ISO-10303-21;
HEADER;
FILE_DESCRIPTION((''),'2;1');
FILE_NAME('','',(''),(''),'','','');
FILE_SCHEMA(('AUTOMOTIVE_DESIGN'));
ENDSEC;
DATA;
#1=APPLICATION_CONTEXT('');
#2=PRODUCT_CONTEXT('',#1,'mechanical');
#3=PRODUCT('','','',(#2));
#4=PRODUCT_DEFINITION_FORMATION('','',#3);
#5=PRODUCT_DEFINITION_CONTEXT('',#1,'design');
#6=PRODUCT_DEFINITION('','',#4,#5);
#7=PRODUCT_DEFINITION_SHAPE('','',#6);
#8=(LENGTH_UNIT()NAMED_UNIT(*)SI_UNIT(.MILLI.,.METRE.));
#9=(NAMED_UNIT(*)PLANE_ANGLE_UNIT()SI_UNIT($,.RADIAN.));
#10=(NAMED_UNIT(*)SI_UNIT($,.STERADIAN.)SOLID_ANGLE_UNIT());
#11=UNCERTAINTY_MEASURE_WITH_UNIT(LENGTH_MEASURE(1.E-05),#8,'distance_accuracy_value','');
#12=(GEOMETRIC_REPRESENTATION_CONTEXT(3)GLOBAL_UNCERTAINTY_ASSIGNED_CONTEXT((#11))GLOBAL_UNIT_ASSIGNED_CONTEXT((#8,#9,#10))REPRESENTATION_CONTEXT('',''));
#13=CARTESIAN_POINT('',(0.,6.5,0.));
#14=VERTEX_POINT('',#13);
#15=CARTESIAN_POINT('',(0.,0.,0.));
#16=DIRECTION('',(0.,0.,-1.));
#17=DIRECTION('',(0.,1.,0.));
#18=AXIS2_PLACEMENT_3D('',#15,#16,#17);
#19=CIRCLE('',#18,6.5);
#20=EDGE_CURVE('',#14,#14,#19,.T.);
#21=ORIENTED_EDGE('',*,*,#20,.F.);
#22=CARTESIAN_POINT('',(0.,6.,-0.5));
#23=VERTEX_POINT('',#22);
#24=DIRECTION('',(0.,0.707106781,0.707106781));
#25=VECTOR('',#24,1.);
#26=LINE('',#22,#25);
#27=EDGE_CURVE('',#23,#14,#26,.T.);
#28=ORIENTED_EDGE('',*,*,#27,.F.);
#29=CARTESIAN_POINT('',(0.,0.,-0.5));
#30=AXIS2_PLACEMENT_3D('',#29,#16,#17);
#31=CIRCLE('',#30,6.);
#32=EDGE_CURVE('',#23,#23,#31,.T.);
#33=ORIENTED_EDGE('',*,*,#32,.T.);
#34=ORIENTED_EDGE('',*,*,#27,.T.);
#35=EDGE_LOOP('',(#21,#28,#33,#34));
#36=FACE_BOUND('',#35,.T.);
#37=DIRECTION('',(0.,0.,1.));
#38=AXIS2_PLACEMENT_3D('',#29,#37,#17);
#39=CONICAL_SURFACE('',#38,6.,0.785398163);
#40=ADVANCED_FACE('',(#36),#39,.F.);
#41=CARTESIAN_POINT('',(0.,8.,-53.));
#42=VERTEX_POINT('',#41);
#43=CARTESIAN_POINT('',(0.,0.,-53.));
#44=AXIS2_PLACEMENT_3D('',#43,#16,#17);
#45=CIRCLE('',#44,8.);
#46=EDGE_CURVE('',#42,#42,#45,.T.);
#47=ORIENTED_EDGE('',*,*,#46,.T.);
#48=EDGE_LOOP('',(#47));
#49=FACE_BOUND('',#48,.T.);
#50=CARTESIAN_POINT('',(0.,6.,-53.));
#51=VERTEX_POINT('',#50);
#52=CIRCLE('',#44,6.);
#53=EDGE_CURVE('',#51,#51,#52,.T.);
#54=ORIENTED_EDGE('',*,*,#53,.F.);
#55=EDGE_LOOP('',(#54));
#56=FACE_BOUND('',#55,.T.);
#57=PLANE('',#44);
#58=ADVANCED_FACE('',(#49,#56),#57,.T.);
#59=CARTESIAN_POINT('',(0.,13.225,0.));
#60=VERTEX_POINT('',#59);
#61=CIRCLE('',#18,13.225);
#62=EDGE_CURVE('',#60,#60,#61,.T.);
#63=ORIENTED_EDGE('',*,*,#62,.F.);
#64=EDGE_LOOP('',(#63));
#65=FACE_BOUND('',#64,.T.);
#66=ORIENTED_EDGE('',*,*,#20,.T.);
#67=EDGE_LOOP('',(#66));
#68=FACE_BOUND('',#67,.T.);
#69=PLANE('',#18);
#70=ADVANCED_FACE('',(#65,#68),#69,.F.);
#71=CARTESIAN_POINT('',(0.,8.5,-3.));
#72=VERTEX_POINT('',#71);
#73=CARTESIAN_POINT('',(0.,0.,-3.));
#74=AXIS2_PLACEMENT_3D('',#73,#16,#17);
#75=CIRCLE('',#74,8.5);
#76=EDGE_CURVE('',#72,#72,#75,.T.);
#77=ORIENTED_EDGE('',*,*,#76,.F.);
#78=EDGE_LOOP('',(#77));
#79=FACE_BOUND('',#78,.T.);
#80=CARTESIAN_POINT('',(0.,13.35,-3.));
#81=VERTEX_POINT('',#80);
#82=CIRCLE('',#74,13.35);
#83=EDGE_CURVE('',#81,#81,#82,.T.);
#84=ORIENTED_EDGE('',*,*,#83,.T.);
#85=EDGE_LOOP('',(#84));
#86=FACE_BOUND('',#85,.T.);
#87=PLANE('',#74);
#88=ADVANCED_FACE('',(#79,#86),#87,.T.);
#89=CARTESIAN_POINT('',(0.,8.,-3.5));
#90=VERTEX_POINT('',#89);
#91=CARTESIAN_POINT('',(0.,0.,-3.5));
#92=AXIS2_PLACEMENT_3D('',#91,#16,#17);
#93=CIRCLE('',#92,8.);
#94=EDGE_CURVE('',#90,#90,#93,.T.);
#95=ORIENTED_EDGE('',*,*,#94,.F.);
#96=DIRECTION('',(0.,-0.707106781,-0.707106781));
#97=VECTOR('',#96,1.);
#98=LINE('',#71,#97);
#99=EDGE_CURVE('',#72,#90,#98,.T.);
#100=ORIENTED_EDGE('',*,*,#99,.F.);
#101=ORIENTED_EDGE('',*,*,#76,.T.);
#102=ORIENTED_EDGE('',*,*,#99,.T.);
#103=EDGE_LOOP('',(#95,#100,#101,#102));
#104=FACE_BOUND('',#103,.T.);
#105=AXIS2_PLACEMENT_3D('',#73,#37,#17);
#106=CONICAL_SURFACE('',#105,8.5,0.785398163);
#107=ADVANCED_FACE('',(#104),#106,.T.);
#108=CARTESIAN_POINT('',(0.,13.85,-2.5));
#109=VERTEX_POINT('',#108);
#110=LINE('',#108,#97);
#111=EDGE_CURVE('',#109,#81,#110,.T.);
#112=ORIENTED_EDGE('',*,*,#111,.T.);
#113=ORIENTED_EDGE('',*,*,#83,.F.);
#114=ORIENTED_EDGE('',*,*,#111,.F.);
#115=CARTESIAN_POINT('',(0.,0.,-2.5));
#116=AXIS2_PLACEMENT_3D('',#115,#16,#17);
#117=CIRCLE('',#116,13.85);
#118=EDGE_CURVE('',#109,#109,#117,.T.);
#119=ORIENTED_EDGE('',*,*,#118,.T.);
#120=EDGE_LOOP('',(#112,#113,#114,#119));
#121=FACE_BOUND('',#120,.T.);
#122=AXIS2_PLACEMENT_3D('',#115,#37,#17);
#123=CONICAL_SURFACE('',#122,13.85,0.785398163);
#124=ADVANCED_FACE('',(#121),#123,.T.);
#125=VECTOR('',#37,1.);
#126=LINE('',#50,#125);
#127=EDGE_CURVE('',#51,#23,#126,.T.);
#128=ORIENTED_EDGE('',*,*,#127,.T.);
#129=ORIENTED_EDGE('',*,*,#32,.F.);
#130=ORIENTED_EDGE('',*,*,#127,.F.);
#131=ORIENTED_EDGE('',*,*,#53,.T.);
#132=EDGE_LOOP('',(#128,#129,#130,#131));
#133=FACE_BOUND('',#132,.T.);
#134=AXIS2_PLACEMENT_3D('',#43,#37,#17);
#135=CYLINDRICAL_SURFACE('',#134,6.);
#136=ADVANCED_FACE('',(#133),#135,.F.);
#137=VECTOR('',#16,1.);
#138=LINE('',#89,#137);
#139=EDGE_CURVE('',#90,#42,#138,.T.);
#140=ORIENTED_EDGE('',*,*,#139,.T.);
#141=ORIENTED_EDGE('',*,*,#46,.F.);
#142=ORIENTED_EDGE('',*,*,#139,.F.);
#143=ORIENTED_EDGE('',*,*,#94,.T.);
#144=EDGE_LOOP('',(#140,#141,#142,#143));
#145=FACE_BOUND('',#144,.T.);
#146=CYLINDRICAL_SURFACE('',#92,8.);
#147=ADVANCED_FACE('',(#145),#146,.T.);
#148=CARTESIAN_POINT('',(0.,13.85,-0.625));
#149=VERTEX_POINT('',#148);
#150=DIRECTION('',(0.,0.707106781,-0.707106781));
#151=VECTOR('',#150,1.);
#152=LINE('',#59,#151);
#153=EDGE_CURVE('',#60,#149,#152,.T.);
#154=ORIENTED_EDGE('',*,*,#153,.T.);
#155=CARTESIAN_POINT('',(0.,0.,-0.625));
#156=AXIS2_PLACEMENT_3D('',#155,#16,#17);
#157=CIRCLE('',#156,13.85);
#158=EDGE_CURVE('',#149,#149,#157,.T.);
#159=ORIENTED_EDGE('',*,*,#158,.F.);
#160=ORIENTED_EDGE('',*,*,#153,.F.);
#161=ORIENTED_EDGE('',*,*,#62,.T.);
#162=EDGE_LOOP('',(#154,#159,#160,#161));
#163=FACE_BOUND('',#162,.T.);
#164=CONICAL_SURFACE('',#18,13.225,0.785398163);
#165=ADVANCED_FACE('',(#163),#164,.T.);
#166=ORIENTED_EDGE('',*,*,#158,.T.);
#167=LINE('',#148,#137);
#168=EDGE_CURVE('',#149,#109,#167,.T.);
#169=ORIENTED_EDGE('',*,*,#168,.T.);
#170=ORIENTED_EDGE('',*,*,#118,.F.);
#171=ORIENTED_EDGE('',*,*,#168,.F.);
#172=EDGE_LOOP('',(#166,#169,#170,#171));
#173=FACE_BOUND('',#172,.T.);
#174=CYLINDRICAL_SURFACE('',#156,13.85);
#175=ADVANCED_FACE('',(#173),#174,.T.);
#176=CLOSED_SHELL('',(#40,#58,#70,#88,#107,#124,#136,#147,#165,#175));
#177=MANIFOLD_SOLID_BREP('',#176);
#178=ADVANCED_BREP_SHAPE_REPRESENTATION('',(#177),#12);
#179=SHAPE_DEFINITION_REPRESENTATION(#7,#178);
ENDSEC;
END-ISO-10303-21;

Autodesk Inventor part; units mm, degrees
ref_plane "YZ Plane" through (0, 0, 0) normal (1, 0, 0) x (0, 1, 0)
ref_plane "XZ Plane" through (0, 0, 0) normal (0, 1, 0) x (-1, 0, 0)
ref_plane "XY Plane" through (0, 0, 0) normal (0, 0, 1) x (1, 0, 0)
sketch "Esquisse1" plane through (0, 0, 0) normal (1, 0, 0) x (0, 1, 0)
  line L0 (13.35, -3) -> (8.5, -3)
  line L1 (8.5, -3) -> (8, -3.5)
  line L2 (8, -3.5) -> (8, -53)
  line L3 (8, -53) -> (6, -53)
  line L4 (6, -53) -> (6, -0.5)
  line L5 (6, -0.5) -> (6.5, 0)
  line L6 (6.5, 0) -> (13.225, 0)
  line L7 (13.225, 0) -> (13.85, -0.625)
  line L8 (13.85, -0.625) -> (13.85, -2.5)
  line L9 (13.85, -2.5) -> (13.35, -3)
  line L10 (0, 8.9692) -> (0, -52.1325)
  point P0 (0, 0)
  dimension "d0" = 3
  dimension "d3" = 0.5
  dimension "d4" = 0.5
  dimension "d5" = 0.5
  dimension "d6" = 0.5
  dimension "d7" = 0.625
  dimension "d8" = 0.625
  dimension "d9" = 0.5
  dimension "d10" = 0.5
  dimension "d12" = 50
  dimension "d15" = 12
  dimension "d16" = 27.7
  dimension "d17" = 16
revolve "Révolution1" add sketch "Esquisse1" angle 360 about axis through (0, 0, 8.9692) along (0, 0, -1)
equation "\"d4\" = d3"
equation "\"d6\" = d5"
equation "\"d8\" = d7"
equation "\"d10\" = d9"
properties part number "douille" material "Plastique ABS"
